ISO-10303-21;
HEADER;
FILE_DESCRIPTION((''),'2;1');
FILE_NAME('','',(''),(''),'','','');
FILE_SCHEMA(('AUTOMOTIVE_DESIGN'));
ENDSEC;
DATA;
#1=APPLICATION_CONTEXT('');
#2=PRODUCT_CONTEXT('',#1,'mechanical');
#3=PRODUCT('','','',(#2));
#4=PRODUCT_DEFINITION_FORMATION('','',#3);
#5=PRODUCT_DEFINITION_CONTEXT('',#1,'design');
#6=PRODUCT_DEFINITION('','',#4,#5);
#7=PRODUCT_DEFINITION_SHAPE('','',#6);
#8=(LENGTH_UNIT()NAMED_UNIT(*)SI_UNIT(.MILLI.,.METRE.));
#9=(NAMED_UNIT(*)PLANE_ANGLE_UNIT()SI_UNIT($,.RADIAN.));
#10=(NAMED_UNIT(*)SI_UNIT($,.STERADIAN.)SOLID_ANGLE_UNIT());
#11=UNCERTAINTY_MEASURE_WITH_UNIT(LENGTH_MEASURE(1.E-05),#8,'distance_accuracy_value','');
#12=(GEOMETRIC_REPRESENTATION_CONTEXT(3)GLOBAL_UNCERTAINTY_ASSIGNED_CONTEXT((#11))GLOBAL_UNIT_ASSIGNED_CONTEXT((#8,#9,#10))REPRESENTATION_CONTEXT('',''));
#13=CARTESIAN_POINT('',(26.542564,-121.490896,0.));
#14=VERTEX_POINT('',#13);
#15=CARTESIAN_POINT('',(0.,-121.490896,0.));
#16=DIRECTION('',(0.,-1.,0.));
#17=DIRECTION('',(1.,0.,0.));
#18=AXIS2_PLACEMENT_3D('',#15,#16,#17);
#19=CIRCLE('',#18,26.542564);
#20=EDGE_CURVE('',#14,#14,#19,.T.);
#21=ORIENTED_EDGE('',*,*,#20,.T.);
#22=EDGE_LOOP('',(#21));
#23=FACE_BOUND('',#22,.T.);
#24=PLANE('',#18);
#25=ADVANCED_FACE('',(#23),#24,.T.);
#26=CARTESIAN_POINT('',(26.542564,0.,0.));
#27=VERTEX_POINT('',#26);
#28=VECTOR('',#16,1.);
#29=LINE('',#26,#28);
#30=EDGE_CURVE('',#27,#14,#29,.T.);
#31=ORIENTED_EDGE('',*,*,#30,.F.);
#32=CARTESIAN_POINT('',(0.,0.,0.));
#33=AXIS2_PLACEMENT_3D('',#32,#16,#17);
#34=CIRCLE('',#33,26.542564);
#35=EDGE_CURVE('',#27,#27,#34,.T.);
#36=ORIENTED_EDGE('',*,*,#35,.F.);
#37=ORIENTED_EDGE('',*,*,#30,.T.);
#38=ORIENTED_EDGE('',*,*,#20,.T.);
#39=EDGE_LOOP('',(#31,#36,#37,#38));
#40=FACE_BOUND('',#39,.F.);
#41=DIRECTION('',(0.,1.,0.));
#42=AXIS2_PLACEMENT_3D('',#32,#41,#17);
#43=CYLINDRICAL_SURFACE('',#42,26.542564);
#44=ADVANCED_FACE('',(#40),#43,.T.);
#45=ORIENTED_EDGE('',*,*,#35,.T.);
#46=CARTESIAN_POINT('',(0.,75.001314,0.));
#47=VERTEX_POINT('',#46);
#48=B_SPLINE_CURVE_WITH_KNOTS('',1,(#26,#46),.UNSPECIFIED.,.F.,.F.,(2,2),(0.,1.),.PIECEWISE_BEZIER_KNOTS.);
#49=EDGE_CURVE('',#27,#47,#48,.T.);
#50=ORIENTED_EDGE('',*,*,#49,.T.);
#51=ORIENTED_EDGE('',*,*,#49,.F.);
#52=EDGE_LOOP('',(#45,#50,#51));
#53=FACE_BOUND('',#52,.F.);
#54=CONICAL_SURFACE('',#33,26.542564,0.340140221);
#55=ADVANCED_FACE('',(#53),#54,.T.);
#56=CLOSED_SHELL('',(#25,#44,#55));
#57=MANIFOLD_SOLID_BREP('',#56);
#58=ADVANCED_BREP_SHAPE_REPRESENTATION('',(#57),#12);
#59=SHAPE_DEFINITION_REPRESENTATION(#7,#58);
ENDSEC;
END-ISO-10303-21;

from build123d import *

# Parameters (mm, degrees)
F0_R      = 26.542564
F2_FACE_R = 26.542564
F3_DEPTH  = 121.490896


with BuildPart() as f2:
    # F0 (on Front) → F2 section 0
    with BuildSketch(Plane.XZ, mode=Mode.PRIVATE) as f2_s0:
        Circle(F0_R)
    loft([f2_s0.sketch, Vertex(0, 75.001314, 0)])

    # F2_face (on face) → F3 (join)
    with BuildSketch(Plane.XZ):
        Circle(F2_FACE_R)
    extrude(amount=F3_DEPTH)


solid = f2.part
